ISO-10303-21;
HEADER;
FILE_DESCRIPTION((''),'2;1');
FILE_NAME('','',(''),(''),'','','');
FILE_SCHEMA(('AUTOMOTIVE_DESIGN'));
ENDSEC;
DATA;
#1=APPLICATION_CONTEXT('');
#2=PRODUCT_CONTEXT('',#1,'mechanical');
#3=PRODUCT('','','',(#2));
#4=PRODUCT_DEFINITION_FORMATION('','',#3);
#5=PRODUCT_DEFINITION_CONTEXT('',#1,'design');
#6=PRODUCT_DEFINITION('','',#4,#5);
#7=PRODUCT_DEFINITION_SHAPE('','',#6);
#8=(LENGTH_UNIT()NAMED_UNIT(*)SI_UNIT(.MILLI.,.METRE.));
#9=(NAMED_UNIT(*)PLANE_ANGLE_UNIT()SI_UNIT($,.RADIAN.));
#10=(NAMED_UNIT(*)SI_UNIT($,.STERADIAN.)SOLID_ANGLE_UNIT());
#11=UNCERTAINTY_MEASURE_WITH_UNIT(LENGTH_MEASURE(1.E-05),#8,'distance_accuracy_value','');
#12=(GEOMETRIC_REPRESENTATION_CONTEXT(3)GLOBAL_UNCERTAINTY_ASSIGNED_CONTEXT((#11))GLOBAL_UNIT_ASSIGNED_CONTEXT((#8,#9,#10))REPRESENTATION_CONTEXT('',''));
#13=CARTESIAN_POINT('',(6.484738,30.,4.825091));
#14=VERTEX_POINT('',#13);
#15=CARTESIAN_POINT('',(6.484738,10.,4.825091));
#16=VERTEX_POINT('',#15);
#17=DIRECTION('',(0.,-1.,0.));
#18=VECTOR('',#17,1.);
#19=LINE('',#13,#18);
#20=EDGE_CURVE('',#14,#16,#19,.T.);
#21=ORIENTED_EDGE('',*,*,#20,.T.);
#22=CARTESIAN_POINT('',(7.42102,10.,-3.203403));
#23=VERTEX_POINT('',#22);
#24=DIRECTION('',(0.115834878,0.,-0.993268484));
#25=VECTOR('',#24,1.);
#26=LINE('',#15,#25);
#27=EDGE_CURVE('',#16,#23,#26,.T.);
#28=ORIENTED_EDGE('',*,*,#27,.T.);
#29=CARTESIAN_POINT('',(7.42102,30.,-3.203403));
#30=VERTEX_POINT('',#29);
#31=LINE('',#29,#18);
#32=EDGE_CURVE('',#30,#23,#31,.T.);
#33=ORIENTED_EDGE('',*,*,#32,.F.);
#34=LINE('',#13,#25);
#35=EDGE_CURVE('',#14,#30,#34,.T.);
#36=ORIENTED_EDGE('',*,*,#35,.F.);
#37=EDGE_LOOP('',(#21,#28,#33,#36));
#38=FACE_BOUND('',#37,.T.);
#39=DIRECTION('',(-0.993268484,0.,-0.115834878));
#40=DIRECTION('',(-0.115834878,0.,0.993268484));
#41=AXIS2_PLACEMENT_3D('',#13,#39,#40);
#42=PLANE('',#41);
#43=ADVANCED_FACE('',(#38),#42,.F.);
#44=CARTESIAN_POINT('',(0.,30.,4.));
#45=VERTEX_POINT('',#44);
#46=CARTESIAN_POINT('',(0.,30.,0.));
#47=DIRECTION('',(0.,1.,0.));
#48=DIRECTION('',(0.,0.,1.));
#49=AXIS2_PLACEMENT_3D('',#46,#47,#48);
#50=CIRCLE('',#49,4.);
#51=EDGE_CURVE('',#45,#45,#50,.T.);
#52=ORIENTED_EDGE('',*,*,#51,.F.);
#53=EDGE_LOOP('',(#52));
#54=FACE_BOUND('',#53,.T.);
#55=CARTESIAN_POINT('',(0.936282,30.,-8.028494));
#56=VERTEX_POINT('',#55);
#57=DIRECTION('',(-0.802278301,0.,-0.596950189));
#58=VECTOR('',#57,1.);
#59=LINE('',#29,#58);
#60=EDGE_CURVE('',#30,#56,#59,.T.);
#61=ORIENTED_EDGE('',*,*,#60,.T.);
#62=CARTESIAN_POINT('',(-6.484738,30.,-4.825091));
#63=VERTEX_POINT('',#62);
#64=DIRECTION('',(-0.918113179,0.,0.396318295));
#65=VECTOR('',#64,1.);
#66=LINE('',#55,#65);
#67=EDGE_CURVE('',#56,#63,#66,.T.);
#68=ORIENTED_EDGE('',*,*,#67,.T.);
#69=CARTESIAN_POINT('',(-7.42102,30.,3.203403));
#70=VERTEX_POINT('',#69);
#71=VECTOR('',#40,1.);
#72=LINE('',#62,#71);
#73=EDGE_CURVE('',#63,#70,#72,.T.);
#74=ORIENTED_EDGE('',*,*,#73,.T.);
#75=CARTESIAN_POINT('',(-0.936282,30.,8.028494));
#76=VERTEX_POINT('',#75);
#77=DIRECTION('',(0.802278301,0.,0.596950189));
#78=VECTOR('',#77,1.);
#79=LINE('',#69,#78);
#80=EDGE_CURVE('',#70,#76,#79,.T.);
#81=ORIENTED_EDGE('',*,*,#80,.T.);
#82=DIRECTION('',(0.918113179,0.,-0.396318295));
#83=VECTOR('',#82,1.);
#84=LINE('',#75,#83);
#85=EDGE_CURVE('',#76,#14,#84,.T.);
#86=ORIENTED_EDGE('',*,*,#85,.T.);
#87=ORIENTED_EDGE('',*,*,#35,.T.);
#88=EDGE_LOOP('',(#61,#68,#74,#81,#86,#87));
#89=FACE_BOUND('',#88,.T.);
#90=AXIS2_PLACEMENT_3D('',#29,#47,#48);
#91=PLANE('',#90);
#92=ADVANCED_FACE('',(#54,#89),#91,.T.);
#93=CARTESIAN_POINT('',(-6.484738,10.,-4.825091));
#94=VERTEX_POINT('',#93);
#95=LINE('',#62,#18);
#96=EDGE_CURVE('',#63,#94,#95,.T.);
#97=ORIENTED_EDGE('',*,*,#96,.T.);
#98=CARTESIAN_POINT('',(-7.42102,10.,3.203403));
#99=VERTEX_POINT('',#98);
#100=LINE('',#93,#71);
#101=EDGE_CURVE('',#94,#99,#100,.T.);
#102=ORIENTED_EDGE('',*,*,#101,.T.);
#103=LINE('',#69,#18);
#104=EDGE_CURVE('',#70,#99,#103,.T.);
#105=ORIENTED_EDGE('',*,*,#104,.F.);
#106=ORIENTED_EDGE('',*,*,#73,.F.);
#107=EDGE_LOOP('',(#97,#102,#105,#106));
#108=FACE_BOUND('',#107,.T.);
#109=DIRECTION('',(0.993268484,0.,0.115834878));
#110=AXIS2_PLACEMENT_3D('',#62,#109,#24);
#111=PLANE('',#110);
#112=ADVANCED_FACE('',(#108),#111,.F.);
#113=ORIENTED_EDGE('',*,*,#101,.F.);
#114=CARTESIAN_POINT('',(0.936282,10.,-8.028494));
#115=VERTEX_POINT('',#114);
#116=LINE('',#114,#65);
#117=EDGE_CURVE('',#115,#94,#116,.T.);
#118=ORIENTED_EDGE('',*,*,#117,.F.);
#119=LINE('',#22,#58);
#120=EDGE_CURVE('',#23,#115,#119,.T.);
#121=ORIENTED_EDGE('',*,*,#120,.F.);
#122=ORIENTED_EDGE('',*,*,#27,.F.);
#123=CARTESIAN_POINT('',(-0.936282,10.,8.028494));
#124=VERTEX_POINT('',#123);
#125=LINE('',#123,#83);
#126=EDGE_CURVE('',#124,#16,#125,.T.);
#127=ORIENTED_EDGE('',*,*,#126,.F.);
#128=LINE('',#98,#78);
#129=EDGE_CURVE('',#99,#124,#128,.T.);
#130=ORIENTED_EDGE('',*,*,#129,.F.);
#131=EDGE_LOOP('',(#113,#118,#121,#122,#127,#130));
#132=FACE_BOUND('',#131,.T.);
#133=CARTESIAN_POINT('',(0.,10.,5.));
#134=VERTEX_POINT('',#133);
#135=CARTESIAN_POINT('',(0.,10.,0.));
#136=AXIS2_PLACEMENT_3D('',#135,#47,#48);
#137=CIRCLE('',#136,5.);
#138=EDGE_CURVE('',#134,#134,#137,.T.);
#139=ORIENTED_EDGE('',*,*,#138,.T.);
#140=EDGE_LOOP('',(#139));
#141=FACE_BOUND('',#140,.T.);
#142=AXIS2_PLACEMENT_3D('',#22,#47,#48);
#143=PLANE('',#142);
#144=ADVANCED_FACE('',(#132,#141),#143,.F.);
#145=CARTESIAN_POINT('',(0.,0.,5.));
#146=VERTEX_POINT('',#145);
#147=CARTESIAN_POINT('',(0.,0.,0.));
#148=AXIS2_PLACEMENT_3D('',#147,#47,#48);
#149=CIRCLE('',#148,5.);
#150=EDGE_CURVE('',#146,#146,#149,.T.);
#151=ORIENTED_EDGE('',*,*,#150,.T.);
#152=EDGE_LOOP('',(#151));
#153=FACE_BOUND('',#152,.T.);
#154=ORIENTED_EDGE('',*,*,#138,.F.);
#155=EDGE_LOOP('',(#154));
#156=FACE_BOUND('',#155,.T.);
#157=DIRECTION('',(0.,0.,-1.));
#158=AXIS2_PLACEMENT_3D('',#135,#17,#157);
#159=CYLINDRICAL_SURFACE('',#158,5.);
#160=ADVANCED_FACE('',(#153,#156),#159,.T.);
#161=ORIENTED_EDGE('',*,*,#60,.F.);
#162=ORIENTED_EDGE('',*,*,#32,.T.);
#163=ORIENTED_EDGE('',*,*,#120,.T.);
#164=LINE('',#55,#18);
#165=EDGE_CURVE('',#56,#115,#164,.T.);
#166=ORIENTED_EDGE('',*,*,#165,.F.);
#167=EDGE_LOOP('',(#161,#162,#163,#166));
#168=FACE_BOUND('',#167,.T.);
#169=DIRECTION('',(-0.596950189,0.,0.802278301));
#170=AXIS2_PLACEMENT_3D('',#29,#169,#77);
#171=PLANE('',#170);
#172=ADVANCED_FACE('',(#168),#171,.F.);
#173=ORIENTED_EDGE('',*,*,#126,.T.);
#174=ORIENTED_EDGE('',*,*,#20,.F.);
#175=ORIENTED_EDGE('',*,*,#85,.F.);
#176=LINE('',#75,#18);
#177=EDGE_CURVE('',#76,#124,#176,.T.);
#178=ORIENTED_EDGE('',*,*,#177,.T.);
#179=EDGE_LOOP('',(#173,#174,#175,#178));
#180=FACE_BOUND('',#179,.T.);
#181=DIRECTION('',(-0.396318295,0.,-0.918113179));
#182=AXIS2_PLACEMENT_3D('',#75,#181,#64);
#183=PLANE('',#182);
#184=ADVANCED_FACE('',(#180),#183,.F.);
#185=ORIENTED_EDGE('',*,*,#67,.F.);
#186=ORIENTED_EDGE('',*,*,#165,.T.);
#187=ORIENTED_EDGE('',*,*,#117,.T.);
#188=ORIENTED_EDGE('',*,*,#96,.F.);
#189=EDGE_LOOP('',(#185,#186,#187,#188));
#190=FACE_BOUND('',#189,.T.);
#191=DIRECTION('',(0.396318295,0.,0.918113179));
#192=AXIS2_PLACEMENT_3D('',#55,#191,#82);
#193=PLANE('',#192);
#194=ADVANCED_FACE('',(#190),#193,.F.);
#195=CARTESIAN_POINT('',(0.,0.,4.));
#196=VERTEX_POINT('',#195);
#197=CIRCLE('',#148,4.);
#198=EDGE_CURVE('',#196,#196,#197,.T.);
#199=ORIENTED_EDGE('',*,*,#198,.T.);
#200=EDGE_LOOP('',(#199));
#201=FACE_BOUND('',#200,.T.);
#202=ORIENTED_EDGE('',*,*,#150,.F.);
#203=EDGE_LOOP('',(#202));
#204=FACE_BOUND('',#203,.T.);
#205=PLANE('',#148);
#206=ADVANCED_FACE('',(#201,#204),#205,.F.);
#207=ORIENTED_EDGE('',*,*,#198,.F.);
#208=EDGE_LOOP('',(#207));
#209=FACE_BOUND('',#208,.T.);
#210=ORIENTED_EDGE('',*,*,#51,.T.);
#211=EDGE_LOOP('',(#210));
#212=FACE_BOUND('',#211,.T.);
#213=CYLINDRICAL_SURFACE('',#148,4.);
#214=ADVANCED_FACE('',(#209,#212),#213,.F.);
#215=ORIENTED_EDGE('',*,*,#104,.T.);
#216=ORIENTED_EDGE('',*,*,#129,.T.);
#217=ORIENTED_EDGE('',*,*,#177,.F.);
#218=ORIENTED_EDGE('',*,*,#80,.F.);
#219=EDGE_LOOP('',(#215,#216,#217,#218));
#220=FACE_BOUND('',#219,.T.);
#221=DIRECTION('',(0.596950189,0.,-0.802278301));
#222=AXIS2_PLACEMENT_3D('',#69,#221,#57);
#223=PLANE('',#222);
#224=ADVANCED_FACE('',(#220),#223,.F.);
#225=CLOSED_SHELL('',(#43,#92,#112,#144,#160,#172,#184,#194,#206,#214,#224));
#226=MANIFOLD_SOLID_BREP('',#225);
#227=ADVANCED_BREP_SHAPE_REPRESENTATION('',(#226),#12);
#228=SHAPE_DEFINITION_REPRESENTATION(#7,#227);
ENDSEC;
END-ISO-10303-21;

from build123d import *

# Parameters (mm, degrees)
SKETCH_1_R          = 5
EXTRUDE_1_DEPTH     = 10
EXTRUDE_2_DEPTH     = 20
SKETCH_3_R          = 4
CUT_EXTRUDE_1_DEPTH = 32.930052519


with BuildPart() as part:
    # 草图1 → 凸台-拉伸1 (new body)
    with BuildSketch(Plane(origin=(0, 0, 0), x_dir=(1, 0, 0), z_dir=(0, 1, 0))):
        with Locations(Location((0, 0, 0), (0, 0, 270))):
            Circle(SKETCH_1_R)
    extrude(amount=EXTRUDE_1_DEPTH)

    # 草图2 → 凸台-拉伸2 (add)
    with BuildSketch(Plane(origin=(0, 10, 0), x_dir=(1, 0, 0), z_dir=(0, 1, 0))):
        Polygon((7.421020472, 3.203402641), (0.93628217, 8.028493572), (-6.484738302, 4.82509093), (-7.421020472, -3.203402641), (-0.93628217, -8.028493572), (6.484738302, -4.82509093), align=None)
    extrude(amount=EXTRUDE_2_DEPTH)

    # 草图3 → 切除-拉伸1 (cut, through all)
    with BuildSketch(Plane(origin=(0, 30, 0), x_dir=(1, 0, 0), z_dir=(0, 1, 0))):
        with Locations(Location((0, 0, 0), (0, 0, 270))):
            Circle(SKETCH_3_R)
    extrude(amount=-CUT_EXTRUDE_1_DEPTH, mode=Mode.SUBTRACT)


solid = part.part
